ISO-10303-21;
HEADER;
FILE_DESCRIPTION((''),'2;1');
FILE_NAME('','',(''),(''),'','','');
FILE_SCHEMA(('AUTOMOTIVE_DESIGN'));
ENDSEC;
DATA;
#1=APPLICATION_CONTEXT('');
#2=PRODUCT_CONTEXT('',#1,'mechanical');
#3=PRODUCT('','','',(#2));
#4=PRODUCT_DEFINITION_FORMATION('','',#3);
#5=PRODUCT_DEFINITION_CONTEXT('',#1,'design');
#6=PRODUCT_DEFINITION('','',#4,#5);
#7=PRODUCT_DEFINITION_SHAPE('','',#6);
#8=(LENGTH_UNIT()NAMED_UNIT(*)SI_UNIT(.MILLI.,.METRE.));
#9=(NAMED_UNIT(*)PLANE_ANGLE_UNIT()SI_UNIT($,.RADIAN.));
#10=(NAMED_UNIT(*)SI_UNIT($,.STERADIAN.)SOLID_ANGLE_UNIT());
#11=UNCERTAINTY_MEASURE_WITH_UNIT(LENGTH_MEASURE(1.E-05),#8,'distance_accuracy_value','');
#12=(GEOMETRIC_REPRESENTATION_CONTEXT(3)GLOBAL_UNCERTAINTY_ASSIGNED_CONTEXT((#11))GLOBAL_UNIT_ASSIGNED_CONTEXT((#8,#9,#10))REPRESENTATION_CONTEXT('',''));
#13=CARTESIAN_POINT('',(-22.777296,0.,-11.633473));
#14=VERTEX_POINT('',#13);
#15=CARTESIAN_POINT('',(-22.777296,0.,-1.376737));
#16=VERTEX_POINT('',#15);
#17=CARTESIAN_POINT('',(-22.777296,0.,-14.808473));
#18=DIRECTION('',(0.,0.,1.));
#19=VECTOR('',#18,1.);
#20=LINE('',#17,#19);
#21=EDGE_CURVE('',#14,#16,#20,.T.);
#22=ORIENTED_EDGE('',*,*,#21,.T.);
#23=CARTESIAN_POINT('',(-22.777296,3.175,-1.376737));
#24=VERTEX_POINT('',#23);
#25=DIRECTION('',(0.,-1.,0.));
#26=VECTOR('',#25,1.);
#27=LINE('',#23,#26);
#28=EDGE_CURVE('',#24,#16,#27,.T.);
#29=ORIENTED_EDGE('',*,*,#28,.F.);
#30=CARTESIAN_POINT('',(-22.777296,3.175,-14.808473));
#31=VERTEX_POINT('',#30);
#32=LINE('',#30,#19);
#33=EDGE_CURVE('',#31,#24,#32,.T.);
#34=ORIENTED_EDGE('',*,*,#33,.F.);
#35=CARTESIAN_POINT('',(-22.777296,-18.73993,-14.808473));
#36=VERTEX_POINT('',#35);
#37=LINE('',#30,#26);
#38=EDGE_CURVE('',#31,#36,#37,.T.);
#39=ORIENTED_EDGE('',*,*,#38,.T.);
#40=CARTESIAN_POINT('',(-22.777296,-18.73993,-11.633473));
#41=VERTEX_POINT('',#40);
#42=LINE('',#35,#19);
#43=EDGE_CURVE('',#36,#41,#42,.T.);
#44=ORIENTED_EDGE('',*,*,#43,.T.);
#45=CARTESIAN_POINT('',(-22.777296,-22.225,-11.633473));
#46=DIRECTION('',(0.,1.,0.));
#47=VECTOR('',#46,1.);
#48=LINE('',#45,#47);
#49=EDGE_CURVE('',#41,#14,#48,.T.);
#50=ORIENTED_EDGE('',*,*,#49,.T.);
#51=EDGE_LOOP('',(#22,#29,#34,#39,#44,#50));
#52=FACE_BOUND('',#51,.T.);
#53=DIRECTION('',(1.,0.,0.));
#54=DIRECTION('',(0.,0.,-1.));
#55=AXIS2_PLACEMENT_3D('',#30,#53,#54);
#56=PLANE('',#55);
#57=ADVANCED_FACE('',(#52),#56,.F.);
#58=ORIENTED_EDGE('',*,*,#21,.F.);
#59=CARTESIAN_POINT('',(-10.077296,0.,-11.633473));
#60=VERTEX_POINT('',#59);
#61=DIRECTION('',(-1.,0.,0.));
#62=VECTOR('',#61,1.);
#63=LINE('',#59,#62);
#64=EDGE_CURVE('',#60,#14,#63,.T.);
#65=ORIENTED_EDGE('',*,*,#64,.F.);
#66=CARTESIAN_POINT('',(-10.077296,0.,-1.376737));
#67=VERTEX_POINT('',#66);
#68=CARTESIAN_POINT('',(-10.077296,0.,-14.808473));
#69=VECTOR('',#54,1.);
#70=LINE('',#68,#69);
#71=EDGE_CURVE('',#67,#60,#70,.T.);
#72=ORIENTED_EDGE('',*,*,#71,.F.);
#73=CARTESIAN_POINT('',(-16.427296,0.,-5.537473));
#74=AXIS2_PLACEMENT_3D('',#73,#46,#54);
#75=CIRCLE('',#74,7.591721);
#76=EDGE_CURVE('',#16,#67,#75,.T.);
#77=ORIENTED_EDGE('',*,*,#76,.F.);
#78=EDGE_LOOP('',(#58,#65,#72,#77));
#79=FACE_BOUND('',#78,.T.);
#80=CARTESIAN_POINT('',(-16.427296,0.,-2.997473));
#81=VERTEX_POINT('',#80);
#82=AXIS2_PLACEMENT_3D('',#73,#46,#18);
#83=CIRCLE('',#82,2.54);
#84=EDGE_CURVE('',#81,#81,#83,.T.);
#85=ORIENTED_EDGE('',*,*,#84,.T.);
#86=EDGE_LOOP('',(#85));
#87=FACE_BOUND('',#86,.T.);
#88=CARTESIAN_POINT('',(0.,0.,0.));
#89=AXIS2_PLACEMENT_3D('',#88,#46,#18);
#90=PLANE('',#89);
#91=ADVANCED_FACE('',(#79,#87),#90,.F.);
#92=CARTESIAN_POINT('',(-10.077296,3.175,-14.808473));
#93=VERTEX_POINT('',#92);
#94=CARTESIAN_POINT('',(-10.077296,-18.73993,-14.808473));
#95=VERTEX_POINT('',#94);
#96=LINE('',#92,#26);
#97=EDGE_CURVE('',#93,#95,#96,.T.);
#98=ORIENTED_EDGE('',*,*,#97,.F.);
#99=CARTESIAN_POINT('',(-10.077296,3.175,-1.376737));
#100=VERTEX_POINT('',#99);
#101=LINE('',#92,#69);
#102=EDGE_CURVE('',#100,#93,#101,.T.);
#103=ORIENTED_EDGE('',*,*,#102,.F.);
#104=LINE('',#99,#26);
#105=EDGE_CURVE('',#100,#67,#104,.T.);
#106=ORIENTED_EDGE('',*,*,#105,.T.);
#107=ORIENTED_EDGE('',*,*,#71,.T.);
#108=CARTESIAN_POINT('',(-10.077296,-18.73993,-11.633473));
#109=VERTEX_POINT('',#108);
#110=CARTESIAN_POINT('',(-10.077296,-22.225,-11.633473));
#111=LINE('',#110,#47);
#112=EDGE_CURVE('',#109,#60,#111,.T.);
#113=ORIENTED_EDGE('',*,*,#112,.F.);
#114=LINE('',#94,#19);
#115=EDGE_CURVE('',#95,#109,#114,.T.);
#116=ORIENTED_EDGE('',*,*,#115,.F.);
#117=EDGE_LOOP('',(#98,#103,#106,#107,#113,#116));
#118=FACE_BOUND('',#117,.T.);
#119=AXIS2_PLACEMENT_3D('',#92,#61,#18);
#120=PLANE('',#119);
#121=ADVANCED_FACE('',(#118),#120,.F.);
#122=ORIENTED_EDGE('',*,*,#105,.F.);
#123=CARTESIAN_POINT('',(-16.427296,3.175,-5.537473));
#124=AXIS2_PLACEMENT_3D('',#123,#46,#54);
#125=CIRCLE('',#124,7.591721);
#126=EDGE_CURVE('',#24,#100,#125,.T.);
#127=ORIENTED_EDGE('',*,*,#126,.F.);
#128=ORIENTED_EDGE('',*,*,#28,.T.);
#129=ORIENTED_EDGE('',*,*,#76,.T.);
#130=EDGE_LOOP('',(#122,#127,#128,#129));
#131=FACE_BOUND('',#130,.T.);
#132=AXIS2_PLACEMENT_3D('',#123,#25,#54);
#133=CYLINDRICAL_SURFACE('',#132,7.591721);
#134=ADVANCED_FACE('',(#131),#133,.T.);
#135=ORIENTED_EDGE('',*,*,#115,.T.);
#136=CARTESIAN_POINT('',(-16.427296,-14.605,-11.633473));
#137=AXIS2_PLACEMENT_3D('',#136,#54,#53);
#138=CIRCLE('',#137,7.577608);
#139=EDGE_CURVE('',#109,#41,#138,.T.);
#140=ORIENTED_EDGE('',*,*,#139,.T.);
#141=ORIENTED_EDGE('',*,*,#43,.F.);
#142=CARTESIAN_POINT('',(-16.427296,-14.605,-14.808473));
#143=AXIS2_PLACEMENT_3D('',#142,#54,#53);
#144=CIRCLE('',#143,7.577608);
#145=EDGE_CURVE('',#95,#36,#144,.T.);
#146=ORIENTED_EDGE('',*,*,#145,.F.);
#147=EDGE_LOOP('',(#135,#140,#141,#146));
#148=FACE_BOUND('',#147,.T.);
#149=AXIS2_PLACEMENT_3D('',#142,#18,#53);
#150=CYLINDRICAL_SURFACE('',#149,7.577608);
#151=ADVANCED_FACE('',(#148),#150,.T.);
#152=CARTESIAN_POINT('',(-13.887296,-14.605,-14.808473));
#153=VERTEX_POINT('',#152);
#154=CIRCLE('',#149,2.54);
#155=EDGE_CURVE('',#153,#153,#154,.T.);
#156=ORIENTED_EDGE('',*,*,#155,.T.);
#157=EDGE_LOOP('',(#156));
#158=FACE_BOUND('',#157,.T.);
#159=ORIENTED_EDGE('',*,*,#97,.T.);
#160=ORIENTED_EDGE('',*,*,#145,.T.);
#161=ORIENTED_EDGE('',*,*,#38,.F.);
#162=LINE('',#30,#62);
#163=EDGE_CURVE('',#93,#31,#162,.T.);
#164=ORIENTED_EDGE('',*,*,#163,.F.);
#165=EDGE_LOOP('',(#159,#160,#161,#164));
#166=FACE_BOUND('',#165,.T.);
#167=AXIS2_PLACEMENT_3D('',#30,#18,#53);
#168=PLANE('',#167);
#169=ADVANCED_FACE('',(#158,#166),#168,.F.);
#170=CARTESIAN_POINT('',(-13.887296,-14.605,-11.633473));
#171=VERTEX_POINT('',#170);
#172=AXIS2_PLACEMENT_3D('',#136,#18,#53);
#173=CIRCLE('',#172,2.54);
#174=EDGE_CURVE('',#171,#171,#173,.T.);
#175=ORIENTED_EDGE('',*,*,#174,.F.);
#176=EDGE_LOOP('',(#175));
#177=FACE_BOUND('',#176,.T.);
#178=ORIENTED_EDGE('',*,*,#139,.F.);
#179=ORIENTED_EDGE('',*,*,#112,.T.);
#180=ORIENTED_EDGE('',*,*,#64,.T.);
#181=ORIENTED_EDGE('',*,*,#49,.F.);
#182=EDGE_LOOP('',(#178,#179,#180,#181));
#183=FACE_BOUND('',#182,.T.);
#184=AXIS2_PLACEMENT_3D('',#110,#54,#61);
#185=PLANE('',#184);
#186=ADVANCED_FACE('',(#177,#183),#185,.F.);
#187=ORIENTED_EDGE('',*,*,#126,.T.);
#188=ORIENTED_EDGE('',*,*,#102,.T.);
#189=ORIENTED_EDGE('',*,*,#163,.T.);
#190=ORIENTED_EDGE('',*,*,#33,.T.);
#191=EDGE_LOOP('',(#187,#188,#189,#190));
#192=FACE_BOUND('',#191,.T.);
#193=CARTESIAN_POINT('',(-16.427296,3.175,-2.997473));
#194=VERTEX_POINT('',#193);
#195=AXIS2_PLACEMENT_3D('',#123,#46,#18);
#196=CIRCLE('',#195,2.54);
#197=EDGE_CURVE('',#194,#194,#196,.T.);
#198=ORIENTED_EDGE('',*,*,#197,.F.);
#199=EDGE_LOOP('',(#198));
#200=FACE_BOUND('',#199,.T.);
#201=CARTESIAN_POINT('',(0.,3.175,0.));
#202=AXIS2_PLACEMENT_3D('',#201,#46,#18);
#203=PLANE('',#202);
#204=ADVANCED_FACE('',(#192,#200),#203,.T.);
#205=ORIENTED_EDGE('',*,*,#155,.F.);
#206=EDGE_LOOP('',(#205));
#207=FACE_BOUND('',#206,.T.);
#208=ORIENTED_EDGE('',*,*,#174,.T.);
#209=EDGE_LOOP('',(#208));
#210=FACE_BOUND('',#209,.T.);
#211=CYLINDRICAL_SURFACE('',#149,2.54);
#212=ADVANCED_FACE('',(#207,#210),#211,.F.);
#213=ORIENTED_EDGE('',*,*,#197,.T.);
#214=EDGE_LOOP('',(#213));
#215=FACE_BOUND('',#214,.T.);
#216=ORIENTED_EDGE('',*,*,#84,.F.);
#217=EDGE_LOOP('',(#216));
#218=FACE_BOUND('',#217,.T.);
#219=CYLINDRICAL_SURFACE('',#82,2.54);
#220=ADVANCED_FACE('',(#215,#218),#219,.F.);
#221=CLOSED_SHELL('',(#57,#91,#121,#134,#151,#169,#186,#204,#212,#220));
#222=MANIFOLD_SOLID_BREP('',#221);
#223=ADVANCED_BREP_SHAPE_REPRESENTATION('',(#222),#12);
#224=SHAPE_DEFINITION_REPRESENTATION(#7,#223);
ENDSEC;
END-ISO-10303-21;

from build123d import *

# Parameters (mm, degrees)
SKETCH1_W           = 12.7
SKETCH1_H           = 16.891
BOSS_EXTRUDE1_DEPTH = 3.175
SKETCH2_R           = 2.54
CUT_EXTRUDE1_DEPTH  = 4.175
SKETCH3_W           = 12.7
SKETCH3_H           = 3.175
BOSS_EXTRUDE2_DEPTH = 22.225
SKETCH4_R           = 2.54
CUT_EXTRUDE2_DEPTH  = 4.175
CUT_EXTRUDE3_DEPTH  = 4.175
CUT_EXTRUDE4_DEPTH  = 4.175


with BuildPart() as part:
    # Sketch1 → Boss-Extrude1 (new body)
    with BuildSketch(Plane(origin=(0, 0, 0), x_dir=(1, 0, 0), z_dir=(0, 1, 0))):
        with Locations((-16.427296288, 6.362973118)):
            Rectangle(SKETCH1_W, SKETCH1_H)
    extrude(amount=BOSS_EXTRUDE1_DEPTH)

    # Sketch2 → Cut-Extrude1 (cut, through all)
    with BuildSketch(Plane(origin=(0, 3.175, 0), x_dir=(1, 0, 0), z_dir=(0, 1, 0))):
        with Locations((-16.427296288, 5.537473118)):
            Circle(SKETCH2_R)
    extrude(amount=-CUT_EXTRUDE1_DEPTH, mode=Mode.SUBTRACT)

    # Sketch3 → Boss-Extrude2 (add)
    with BuildSketch(Plane.XZ):
        with Locations((-16.427296288, -13.220973118)):
            Rectangle(SKETCH3_W, SKETCH3_H)
    extrude(amount=BOSS_EXTRUDE2_DEPTH)

    # Sketch4 → Cut-Extrude2 (cut, through all)
    with BuildSketch(Plane.XY.offset(-11.633473118)):
        with Locations((-16.427296288, -14.605)):
            Circle(SKETCH4_R)
    extrude(amount=-CUT_EXTRUDE2_DEPTH, mode=Mode.SUBTRACT)

    # Sketch6 → Cut-Extrude3 (cut, through all)
    with BuildSketch(Plane.XY.offset(-11.633473118)):
        with BuildLine():
            Line((-10.077296288, -22.225), (-22.777296288, -22.225))
            Line((-22.777296288, -22.225), (-22.777296288, -18.739929724))
            ThreePointArc((-22.777296288, -18.739929724), (-16.427296288, -22.182608054), (-10.077296288, -18.739929724))
            Line((-10.077296288, -18.739929724), (-10.077296288, -22.225))
        make_face()
    extrude(amount=-CUT_EXTRUDE3_DEPTH, mode=Mode.SUBTRACT)

    # Sketch7 → Cut-Extrude4 (cut, through all)
    with BuildSketch(Plane.XZ):
        with BuildLine():
            Line((-22.777296288, -1.376737497), (-22.777296288, 2.082526882))
            Line((-22.777296288, 2.082526882), (-10.077296288, 2.082526882))
            Line((-10.077296288, 2.082526882), (-10.077296288, -1.376737497))
            ThreePointArc((-10.077296288, -1.376737497), (-16.427296288, 2.054247432), (-22.777296288, -1.376737497))
        make_face()
    extrude(amount=-CUT_EXTRUDE4_DEPTH, mode=Mode.SUBTRACT)


solid = part.part
